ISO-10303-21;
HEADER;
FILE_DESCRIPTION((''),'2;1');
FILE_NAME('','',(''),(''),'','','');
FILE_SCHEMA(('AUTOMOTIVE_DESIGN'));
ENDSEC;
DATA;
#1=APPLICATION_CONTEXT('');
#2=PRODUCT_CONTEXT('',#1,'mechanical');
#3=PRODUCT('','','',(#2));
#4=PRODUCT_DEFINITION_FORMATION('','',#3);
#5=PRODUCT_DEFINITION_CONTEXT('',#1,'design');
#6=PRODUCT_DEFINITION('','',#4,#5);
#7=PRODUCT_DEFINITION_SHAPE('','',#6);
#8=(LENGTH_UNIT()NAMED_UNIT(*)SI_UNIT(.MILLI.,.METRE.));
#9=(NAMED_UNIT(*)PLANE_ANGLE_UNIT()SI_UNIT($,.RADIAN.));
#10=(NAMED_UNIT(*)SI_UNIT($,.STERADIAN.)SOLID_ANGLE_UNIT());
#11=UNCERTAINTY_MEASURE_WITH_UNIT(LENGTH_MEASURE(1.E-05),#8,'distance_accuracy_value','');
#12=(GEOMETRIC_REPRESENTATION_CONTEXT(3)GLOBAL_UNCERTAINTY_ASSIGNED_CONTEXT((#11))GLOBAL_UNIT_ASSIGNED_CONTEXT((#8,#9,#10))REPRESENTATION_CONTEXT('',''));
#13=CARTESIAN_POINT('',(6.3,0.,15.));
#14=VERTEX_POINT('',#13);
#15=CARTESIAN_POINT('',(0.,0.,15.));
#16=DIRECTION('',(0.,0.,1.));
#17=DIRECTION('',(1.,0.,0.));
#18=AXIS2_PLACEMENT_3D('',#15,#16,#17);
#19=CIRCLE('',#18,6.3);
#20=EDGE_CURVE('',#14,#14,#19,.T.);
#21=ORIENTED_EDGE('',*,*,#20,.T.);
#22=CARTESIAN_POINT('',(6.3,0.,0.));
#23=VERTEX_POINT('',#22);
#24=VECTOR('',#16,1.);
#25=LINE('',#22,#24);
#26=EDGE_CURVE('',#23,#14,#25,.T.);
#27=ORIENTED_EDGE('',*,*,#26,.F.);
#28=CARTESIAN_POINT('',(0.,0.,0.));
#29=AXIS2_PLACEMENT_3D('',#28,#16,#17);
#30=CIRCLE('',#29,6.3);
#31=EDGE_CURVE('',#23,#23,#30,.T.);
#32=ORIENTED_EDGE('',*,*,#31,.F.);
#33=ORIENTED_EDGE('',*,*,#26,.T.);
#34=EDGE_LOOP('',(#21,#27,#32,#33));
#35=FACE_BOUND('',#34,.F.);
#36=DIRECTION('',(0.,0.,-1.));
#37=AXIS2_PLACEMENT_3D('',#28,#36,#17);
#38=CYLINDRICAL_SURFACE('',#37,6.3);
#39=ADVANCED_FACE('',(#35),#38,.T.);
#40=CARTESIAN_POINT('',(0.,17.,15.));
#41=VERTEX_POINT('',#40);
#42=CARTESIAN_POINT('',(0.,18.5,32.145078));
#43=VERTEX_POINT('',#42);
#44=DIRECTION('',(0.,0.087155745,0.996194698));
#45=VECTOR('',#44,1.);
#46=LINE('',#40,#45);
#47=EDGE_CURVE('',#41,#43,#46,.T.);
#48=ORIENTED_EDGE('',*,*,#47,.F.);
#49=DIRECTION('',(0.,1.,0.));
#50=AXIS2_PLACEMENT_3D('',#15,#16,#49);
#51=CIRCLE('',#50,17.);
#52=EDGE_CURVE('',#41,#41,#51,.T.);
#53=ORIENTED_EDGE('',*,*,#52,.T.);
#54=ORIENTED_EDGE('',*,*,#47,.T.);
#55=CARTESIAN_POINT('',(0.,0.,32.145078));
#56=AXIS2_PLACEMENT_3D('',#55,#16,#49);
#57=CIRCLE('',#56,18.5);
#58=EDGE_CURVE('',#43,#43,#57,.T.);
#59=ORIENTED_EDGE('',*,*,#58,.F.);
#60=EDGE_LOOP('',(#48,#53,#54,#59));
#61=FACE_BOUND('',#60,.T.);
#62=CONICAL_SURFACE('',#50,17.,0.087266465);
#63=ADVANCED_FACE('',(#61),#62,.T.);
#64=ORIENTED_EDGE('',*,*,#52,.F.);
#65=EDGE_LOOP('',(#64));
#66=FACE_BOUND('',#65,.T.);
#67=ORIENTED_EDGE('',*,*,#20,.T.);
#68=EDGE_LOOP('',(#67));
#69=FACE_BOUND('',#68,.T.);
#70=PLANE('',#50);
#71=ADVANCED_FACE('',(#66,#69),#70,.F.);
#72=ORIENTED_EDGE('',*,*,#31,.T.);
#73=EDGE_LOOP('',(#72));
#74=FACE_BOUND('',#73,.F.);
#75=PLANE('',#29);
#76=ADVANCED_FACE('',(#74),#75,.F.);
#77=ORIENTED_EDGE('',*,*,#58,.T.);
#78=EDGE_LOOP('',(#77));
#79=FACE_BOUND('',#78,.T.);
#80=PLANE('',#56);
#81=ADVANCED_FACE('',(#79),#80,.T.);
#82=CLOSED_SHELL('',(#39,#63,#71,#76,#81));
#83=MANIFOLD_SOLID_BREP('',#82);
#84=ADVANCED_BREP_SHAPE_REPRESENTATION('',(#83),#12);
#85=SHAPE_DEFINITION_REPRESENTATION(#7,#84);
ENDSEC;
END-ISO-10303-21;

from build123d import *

# Parameters (mm, degrees)
F0_R     = 6.3
F1_DEPTH = 15


with BuildPart() as f1:
    # F0 (on Top) → F1 (new body)
    with BuildSketch(Plane.XY):
        Circle(F0_R)
    extrude(amount=F1_DEPTH)

    # F2 (on Right) → F3 (revolve)
    with BuildSketch(Plane.YZ):
        Polygon((0, 32.145078), (0, 15), (17, 15), (18.5, 32.145078), align=None)
    revolve(axis=Axis((0, 0, 7.5), (0, 0, 1)))


solid = f1.part
